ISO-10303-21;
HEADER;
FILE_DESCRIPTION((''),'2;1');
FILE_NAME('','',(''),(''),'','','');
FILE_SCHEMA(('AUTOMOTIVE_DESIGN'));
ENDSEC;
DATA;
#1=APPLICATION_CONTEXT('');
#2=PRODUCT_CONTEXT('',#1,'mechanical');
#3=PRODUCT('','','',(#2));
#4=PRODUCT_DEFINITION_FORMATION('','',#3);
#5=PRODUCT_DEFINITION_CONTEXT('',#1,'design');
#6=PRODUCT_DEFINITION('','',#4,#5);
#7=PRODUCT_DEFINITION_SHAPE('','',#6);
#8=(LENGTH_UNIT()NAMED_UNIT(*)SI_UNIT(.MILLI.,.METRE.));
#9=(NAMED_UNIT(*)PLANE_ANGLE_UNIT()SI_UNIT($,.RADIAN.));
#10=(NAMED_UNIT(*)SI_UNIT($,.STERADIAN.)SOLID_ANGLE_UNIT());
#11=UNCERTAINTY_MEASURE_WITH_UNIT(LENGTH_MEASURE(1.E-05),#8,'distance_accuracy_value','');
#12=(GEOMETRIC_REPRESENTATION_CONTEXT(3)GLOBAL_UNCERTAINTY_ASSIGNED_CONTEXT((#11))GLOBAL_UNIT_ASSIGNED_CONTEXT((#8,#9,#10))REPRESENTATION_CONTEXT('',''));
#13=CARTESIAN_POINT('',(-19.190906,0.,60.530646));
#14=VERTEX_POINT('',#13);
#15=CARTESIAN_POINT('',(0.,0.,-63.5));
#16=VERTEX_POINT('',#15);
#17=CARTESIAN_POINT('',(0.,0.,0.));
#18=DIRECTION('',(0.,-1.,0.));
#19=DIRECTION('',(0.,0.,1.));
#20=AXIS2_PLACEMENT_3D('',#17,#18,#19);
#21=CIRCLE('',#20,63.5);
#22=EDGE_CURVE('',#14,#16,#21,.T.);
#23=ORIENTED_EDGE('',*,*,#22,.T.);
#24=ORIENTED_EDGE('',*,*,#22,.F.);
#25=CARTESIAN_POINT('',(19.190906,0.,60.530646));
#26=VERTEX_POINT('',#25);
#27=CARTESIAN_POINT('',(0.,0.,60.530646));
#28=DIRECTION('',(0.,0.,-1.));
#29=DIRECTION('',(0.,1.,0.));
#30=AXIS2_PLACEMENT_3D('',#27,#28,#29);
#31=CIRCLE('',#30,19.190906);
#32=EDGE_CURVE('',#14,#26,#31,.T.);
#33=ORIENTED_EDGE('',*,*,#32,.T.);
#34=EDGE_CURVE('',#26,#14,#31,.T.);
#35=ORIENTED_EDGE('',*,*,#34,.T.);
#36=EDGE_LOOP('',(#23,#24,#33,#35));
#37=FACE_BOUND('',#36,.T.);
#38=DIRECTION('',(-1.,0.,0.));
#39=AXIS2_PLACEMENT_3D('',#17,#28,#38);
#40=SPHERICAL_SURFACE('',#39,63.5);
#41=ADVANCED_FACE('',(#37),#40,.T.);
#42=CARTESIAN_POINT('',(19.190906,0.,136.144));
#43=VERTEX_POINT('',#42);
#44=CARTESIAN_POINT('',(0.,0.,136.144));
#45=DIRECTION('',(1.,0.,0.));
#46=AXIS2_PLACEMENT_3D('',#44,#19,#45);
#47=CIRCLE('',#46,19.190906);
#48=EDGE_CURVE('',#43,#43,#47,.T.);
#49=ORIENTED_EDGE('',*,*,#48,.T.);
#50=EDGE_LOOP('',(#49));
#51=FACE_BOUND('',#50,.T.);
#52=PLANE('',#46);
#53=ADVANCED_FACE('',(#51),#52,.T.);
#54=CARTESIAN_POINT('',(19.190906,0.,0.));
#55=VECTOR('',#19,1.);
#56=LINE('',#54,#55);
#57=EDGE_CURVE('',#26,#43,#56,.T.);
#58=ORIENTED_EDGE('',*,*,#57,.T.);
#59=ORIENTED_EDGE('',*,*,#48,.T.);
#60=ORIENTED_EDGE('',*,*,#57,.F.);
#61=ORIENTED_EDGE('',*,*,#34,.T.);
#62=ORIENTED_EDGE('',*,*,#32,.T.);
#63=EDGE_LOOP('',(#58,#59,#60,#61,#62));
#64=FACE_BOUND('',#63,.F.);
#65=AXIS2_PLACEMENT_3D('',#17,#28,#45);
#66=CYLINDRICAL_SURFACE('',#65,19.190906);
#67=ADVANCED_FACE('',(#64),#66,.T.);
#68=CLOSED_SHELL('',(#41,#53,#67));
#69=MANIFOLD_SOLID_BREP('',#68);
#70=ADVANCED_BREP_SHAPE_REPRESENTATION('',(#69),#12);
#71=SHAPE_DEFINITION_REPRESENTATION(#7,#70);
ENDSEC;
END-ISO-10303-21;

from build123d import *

# Parameters (mm, degrees)
F3_R     = 19.190906
F4_DEPTH = 136.144


with BuildPart() as f2:
    # F0 (on Front) → F2 (revolve)
    with BuildSketch(Plane.XZ):
        with BuildLine():
            Line((0, 0), (0, 63.5))
            ThreePointArc((0, 63.5), (-63.5, 0), (0, -63.5))
            Line((0, -63.5), (0, 0))
        make_face()
    revolve(axis=Axis((0, 0, 31.013401), (0, 0, -1)))

    # F3 (on Top) → F4 (join)
    with BuildSketch(Plane.XY):
        Circle(F3_R)
    extrude(amount=F4_DEPTH)


solid = f2.part
